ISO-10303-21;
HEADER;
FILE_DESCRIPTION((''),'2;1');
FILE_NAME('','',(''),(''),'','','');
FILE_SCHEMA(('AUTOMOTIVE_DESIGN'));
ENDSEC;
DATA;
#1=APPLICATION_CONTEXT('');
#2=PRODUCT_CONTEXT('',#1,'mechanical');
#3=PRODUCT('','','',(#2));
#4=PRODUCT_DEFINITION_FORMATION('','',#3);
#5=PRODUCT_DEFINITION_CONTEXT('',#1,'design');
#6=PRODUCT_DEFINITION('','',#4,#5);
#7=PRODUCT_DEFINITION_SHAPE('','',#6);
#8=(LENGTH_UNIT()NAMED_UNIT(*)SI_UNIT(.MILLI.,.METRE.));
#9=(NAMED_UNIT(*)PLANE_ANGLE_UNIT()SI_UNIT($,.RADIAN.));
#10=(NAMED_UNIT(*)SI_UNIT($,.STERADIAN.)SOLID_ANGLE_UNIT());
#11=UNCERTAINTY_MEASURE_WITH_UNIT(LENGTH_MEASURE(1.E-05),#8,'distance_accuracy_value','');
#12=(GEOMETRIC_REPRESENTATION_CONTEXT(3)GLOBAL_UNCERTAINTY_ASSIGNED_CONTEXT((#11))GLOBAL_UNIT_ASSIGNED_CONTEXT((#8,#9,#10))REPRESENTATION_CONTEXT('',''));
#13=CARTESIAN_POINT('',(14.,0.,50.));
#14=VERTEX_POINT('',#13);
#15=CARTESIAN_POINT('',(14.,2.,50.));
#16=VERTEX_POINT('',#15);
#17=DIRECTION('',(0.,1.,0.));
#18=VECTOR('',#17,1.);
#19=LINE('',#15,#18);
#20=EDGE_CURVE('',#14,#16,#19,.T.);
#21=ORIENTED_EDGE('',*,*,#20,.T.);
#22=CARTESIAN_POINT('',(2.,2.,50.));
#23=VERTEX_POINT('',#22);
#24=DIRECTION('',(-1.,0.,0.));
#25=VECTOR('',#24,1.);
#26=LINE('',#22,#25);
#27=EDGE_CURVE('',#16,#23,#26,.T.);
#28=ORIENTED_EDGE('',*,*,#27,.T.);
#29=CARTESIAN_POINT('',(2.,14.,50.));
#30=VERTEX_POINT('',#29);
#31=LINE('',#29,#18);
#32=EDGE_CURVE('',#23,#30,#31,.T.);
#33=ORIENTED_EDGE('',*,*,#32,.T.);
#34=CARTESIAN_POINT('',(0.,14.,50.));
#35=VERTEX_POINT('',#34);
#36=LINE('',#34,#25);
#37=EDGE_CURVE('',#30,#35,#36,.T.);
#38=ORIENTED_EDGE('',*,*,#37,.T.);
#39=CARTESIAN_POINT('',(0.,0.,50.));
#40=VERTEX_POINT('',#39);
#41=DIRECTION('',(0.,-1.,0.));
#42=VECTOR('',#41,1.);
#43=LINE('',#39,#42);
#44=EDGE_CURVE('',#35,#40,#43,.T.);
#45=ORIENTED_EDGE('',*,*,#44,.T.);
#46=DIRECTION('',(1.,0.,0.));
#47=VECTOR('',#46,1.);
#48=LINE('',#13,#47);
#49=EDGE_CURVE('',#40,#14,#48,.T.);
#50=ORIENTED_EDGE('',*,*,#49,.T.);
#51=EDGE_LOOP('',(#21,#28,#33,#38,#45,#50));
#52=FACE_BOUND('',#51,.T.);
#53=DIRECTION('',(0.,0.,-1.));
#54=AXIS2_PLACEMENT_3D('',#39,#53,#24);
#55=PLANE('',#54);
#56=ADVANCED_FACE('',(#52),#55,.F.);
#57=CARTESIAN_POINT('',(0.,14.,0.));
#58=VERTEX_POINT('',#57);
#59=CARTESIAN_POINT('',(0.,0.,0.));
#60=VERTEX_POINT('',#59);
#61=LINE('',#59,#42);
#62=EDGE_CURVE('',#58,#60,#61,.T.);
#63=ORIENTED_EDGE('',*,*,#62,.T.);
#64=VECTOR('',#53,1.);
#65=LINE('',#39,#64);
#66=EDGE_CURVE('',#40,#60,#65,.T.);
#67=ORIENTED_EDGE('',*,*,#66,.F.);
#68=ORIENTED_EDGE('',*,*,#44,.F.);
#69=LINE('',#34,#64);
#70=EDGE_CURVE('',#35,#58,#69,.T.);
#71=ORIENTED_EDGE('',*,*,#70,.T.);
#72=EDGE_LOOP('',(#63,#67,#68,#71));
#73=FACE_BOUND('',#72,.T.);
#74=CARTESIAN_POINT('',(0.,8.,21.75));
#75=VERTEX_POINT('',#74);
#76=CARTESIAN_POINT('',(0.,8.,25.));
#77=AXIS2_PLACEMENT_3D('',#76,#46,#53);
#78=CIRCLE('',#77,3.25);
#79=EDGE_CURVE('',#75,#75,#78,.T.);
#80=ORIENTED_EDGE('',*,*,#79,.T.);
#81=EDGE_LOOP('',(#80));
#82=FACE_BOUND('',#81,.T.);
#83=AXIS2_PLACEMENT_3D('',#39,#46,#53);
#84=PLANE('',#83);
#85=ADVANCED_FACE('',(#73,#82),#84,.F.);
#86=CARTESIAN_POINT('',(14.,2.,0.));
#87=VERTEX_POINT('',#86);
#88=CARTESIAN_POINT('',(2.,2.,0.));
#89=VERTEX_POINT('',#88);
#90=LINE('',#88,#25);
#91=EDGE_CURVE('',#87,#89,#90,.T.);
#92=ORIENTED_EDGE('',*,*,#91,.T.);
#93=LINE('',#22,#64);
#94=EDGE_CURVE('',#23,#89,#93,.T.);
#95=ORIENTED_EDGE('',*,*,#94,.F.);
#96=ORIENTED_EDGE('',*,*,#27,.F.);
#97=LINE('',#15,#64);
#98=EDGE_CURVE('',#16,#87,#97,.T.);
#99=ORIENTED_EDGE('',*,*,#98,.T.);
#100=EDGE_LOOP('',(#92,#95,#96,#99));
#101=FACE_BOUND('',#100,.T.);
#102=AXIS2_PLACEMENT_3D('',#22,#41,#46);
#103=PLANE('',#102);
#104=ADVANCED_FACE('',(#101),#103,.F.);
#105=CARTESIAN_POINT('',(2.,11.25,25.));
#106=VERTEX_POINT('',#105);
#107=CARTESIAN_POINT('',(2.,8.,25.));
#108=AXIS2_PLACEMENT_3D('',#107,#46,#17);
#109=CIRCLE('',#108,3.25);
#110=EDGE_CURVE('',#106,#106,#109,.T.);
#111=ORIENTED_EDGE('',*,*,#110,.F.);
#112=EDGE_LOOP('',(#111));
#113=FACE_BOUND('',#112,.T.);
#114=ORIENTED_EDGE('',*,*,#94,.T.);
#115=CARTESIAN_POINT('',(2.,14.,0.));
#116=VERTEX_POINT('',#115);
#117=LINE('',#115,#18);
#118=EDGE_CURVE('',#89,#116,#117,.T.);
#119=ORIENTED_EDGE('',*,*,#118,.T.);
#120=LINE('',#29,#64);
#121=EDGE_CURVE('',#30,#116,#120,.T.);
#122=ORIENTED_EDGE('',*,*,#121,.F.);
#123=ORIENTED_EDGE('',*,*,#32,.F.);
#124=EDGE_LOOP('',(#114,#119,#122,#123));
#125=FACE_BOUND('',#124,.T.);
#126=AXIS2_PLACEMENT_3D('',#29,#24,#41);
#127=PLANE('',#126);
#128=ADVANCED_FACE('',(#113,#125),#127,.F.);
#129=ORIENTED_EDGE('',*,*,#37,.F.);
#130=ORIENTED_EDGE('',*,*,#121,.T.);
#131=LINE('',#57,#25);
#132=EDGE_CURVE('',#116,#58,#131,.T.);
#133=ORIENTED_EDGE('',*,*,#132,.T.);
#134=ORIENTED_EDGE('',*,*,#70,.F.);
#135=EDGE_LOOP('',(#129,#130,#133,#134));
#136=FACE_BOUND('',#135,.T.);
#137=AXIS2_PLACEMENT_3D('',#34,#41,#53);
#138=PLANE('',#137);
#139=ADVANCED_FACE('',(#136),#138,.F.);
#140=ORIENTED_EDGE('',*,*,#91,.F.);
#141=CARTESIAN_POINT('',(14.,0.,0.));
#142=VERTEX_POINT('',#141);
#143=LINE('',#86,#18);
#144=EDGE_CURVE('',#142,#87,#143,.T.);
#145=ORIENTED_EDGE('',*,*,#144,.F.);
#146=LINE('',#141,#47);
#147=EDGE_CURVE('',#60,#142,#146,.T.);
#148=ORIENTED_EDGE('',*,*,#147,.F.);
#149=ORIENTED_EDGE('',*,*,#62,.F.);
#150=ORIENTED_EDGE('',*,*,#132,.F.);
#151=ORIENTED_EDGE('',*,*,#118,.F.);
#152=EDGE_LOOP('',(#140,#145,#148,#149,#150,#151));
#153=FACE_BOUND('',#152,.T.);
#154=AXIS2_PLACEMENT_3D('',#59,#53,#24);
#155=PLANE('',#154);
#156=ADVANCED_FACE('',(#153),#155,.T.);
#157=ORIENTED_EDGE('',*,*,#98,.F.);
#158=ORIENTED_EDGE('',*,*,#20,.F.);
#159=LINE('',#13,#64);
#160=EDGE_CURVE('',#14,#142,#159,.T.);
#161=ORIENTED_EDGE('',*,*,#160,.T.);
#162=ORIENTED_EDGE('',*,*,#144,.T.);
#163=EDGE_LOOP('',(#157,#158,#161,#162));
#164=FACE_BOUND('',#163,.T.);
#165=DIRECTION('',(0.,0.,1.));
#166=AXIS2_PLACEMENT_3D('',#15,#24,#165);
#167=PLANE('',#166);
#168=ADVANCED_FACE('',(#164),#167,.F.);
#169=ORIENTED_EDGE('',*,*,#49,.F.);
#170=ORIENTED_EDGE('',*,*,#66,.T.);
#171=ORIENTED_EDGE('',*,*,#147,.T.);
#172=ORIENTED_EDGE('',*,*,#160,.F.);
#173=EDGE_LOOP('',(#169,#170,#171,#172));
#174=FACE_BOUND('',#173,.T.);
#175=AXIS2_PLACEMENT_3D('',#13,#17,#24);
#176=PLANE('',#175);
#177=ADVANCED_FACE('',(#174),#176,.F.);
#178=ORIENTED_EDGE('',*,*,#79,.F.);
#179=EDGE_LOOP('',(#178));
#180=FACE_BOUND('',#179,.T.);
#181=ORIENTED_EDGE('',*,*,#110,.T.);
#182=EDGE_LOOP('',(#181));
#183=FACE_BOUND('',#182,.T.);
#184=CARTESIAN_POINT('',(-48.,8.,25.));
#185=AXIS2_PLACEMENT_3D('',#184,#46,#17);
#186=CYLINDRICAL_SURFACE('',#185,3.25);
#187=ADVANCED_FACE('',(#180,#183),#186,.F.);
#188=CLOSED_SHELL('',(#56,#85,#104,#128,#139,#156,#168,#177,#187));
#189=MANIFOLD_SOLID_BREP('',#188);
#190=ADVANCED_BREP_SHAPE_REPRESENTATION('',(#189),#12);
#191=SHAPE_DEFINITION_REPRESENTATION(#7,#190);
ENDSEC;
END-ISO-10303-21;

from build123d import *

# Parameters (mm, degrees)
EXTRUDE_1_DEPTH     = 50
SKETCH_2_R          = 3.25
CUT_EXTRUDE_1_DEPTH = 50


with BuildPart() as part:
    # Эскиз1 → Бобышка-Вытянуть1 (new body)
    with BuildSketch(Plane.XY):
        Polygon((0, 0), (0, 14), (2, 14), (2, 2), (14, 2), (14, 0), align=None)
    extrude(amount=EXTRUDE_1_DEPTH)

    # Эскиз2 → Вырез-Вытянуть1 (cut)
    with BuildSketch(Plane(origin=(2, 0, 0), x_dir=(0, 0, -1), z_dir=(1, 0, 0))):
        with Locations(Location((-25, 8, 0), (0, 0, 90))):
            Circle(SKETCH_2_R)
    extrude(amount=-CUT_EXTRUDE_1_DEPTH, mode=Mode.SUBTRACT)


solid = part.part
